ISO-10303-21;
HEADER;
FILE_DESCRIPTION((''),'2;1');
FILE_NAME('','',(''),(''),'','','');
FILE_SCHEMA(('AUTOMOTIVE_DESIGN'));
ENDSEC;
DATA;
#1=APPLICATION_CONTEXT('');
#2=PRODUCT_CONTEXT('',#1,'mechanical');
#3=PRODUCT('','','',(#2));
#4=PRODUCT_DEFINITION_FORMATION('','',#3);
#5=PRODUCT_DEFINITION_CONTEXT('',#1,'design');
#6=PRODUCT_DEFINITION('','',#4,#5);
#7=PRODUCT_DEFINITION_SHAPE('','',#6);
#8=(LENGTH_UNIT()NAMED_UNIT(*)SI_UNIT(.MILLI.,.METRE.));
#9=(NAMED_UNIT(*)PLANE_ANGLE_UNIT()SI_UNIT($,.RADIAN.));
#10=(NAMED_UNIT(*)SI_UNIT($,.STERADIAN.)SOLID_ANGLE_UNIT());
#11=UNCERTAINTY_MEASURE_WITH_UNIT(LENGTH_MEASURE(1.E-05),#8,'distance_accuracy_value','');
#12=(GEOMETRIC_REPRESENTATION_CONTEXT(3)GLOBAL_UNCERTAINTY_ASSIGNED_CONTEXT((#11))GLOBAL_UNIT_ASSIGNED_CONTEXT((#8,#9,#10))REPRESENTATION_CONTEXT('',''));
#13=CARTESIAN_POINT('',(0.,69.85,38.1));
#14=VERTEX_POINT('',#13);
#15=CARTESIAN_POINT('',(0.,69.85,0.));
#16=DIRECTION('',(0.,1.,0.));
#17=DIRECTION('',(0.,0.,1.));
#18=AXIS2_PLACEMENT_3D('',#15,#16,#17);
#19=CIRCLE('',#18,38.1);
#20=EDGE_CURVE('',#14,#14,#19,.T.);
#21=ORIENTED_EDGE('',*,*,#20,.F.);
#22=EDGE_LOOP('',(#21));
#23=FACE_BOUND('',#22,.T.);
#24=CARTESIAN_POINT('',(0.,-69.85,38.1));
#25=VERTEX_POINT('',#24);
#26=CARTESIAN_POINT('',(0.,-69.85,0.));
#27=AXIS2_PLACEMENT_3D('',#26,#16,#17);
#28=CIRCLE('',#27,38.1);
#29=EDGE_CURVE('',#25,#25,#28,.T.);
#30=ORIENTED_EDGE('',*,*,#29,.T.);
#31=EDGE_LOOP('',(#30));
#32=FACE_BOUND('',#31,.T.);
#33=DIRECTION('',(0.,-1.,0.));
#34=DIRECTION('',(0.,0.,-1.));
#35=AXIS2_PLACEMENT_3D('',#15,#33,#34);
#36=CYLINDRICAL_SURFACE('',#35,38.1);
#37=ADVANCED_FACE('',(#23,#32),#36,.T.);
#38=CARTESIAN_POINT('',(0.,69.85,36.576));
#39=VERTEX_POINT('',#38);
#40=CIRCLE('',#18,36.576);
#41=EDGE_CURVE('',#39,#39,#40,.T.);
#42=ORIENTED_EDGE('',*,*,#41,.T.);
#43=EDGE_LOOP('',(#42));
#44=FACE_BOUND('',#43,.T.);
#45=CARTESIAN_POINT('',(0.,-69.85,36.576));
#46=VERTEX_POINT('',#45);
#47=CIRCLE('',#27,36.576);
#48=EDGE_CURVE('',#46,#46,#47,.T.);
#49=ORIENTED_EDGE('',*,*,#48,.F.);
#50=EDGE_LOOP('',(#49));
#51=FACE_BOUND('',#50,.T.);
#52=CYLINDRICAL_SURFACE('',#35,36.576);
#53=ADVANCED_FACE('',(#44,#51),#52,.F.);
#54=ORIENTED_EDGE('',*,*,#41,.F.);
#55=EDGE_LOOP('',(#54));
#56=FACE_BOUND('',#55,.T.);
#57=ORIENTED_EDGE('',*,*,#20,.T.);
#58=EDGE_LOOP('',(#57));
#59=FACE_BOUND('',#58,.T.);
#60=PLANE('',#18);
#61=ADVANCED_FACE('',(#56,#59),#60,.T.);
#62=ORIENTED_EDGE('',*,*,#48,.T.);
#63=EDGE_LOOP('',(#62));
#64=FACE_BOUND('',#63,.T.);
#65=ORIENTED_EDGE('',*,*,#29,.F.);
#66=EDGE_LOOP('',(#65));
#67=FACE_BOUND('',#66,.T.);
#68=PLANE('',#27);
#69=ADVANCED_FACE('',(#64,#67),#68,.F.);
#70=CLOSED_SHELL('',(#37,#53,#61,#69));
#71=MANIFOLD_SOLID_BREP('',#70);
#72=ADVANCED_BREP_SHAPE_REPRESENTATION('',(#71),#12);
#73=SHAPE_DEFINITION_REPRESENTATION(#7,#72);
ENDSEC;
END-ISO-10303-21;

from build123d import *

# Parameters (mm, degrees)
SKETCH1_R           = 38.1
SKETCH1_R_2         = 36.576
BOSS_EXTRUDE1_DEPTH = 69.85


with BuildPart() as part:
    # Sketch1 → Boss-Extrude1 (new, symmetric)
    with BuildSketch(Plane(origin=(0, 0, 0), x_dir=(1, 0, 0), z_dir=(0, 1, 0))):
        with Locations(Location((0, 0, 0), (0, 0, 270))):
            Circle(SKETCH1_R)
        with Locations(Location((0, 0, 0), (0, 0, 270))):
            Circle(SKETCH1_R_2, mode=Mode.SUBTRACT)
    extrude(amount=BOSS_EXTRUDE1_DEPTH, both=True)


solid = part.part
